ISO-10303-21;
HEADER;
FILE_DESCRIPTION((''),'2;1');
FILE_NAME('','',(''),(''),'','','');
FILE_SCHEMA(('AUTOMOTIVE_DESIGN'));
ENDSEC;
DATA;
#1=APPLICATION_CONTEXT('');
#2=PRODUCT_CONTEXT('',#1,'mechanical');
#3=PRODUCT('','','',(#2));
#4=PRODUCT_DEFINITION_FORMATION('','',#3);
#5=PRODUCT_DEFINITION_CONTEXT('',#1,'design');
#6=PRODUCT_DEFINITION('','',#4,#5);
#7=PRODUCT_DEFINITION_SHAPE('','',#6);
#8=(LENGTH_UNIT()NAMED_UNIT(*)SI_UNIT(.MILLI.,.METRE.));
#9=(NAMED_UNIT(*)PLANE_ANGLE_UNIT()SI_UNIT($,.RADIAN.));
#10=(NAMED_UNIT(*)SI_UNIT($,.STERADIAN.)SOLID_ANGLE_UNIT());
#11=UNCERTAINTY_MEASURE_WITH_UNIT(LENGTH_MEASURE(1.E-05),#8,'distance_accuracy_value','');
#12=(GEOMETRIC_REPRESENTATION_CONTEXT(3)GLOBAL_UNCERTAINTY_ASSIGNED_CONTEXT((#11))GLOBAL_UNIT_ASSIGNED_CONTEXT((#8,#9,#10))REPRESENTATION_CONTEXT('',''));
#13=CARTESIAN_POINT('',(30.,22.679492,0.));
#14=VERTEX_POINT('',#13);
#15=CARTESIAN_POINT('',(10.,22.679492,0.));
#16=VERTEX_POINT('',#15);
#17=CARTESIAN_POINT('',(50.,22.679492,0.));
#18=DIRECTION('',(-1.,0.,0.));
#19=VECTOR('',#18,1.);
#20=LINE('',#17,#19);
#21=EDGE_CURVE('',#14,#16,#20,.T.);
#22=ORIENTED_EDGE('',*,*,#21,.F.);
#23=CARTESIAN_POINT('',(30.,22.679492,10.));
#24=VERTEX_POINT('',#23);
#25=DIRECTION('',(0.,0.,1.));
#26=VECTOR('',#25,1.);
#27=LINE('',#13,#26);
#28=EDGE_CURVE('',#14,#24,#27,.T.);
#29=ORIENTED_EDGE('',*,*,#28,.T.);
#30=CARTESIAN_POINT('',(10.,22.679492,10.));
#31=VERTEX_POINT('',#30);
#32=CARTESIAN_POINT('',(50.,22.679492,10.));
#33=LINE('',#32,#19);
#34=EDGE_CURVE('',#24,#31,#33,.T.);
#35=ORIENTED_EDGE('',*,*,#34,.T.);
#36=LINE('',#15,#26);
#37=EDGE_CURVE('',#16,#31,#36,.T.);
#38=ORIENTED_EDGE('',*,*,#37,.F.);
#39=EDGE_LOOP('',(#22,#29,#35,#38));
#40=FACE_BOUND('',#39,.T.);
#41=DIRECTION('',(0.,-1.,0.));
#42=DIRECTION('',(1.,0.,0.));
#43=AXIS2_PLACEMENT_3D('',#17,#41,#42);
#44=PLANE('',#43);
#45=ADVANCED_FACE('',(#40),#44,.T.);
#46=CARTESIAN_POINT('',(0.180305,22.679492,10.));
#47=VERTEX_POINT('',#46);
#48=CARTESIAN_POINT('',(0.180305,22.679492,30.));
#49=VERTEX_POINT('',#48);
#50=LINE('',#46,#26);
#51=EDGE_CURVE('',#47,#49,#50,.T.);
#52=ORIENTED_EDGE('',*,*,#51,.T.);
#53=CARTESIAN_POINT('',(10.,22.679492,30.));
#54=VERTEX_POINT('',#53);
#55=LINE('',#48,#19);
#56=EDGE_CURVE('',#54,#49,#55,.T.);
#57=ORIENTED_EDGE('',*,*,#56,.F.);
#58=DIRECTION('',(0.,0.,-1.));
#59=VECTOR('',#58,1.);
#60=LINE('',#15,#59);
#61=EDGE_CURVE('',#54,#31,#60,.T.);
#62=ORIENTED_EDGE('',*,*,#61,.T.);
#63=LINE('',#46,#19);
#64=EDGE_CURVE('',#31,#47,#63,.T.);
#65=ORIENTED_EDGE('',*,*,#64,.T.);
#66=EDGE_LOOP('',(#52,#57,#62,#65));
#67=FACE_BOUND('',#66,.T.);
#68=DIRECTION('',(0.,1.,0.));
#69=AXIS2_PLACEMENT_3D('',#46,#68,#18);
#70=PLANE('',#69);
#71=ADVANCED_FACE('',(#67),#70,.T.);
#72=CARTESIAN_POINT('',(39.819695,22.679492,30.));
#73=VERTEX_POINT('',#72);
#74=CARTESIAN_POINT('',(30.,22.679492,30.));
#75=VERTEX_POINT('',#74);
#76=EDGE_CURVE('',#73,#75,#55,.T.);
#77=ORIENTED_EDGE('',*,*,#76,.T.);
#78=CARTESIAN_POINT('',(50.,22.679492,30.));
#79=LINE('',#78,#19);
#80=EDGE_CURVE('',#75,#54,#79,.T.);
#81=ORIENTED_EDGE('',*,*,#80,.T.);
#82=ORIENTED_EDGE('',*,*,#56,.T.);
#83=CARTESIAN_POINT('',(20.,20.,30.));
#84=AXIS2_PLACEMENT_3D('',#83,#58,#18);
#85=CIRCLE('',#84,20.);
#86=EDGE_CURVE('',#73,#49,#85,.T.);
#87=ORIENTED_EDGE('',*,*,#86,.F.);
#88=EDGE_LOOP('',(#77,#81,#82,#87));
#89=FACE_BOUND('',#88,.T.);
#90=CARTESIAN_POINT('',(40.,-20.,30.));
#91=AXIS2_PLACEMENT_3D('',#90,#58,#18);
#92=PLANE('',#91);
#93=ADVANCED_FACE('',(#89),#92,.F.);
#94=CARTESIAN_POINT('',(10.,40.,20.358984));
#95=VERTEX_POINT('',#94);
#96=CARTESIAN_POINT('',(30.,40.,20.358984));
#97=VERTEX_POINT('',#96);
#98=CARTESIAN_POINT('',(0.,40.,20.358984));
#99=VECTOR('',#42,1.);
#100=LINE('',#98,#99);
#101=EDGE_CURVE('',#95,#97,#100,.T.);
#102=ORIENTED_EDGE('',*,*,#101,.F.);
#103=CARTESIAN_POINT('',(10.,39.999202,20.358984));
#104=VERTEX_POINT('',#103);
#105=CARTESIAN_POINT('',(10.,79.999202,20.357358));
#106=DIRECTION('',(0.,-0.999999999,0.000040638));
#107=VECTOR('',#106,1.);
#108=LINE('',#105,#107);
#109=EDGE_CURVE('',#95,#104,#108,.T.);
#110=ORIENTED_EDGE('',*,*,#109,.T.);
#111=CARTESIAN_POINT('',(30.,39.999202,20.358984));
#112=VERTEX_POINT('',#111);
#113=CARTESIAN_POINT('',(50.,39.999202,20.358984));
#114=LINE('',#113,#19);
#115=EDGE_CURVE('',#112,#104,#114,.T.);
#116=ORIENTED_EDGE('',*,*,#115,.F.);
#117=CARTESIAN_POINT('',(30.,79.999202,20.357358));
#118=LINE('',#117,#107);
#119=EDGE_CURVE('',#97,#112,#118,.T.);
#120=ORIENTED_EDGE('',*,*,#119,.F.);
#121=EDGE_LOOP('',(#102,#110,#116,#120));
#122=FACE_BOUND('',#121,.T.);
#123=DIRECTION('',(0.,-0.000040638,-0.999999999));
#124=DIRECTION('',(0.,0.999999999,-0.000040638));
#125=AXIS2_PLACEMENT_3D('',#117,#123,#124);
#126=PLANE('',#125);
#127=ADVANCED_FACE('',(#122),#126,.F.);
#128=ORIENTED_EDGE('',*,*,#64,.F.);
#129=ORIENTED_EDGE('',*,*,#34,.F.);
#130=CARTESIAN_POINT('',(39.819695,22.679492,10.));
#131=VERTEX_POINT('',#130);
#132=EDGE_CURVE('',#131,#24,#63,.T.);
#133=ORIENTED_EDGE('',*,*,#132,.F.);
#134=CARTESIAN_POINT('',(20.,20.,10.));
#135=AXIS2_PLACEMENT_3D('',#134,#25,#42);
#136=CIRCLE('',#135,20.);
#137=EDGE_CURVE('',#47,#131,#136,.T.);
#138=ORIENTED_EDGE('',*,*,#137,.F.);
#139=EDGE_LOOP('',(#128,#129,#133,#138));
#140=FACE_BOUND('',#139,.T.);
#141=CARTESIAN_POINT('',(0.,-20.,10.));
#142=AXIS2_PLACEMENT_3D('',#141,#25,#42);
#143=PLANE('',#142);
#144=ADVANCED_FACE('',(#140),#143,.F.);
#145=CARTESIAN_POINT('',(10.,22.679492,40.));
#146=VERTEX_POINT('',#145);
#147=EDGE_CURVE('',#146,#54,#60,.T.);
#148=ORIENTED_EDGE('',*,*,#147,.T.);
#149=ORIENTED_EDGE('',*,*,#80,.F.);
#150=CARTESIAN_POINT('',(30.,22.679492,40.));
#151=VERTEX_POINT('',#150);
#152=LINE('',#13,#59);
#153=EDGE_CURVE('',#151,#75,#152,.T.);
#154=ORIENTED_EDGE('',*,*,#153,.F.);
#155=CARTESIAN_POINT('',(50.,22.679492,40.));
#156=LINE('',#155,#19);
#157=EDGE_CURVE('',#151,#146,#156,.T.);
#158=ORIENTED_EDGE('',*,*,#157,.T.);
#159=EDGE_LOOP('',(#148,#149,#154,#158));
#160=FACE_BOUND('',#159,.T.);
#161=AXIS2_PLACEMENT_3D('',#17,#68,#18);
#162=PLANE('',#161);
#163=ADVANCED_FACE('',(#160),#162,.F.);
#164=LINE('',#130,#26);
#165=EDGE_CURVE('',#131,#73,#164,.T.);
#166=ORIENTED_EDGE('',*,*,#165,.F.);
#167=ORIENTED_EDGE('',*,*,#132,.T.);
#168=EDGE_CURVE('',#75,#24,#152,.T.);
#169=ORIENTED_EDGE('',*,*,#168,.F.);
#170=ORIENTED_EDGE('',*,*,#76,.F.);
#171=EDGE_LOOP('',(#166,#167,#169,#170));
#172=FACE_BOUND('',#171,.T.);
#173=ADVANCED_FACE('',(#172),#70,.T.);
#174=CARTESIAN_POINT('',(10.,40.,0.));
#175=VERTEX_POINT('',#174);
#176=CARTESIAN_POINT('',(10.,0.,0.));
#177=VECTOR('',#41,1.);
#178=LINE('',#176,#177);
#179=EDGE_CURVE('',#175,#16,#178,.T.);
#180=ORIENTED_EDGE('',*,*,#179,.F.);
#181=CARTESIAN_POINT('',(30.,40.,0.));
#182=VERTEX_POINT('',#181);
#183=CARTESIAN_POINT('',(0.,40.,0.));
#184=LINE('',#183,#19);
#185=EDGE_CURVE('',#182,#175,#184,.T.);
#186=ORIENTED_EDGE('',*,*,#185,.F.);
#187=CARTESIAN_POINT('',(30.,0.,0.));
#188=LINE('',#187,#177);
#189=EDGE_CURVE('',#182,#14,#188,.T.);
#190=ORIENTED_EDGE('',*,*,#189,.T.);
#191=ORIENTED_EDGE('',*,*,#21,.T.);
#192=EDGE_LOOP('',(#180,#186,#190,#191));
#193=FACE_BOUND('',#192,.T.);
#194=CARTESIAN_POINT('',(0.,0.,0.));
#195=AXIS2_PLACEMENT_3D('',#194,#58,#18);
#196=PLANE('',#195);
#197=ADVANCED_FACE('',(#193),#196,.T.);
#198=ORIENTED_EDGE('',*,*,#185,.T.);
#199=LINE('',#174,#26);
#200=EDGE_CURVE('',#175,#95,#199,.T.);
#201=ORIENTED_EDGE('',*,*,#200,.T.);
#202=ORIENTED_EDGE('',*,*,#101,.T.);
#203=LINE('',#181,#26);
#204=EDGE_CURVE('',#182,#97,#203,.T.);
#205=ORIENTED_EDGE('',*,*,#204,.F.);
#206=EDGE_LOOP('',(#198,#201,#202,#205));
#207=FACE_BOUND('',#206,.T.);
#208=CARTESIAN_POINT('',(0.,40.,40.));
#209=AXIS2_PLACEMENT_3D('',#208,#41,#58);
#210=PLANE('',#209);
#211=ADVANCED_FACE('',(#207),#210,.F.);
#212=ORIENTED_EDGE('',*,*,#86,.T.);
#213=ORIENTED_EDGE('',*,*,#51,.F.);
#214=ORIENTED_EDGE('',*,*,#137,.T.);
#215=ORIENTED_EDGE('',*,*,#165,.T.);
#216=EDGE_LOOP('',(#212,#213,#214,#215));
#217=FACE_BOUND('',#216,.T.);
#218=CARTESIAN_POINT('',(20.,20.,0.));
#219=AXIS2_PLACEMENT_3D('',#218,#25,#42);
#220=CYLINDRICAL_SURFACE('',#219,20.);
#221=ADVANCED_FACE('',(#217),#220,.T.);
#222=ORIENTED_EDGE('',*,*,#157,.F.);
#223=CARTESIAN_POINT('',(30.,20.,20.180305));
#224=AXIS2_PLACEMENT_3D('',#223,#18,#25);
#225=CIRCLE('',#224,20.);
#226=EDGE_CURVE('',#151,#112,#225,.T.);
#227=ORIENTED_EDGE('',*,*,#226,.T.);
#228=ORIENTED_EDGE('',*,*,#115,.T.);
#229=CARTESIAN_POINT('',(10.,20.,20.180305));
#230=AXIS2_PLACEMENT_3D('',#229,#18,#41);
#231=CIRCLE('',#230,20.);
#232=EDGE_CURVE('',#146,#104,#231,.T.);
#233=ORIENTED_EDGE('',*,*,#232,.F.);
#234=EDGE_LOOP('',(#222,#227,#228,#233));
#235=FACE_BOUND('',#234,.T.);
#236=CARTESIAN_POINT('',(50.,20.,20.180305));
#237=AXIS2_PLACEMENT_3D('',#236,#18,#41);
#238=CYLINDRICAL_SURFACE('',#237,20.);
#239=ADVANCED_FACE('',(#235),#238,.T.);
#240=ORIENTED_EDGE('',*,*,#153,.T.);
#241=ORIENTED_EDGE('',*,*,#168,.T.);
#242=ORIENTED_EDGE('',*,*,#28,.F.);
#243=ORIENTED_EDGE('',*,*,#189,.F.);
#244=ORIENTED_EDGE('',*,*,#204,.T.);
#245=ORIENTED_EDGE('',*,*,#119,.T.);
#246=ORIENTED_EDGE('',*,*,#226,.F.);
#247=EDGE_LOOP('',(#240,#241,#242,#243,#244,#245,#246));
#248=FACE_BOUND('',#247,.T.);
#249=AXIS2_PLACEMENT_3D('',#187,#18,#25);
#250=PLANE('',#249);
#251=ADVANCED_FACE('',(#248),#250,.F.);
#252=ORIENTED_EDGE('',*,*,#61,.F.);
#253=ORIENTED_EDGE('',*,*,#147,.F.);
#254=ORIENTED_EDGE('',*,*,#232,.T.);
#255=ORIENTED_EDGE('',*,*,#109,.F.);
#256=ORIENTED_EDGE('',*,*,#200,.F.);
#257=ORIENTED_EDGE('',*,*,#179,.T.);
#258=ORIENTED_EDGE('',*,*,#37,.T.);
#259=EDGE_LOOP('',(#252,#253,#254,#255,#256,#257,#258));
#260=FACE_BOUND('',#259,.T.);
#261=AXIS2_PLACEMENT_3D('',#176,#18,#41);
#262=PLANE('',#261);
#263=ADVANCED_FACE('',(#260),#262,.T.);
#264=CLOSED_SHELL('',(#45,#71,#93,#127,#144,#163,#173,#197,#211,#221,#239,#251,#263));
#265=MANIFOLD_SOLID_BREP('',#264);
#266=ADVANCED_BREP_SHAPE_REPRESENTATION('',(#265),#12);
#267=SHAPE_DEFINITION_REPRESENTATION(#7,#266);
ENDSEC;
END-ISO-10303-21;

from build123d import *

# Parameters (mm, degrees)
SKETCH1_W           = 40
SKETCH1_H           = 40
BOSS_EXTRUDE1_DEPTH = 40
SKETCH2_W           = 10
SKETCH2_H           = 20
CUT_EXTRUDE1_DEPTH  = 40
SKETCH3_W           = 10
SKETCH3_H           = 10
CUT_EXTRUDE2_DEPTH  = 40
CUT_EXTRUDE3_DEPTH  = 40
SKETCH5_W           = 20
SKETCH5_H           = 10
CUT_EXTRUDE4_DEPTH  = 40
SKETCH6_W           = 20
SKETCH6_H           = 19.641016119
CUT_EXTRUDE5_DEPTH  = 40
BOSS_EXTRUDE2_DEPTH = 20


with BuildPart() as part:
    # Sketch1 → Boss-Extrude1 (new body)
    with BuildSketch(Plane.XY):
        with Locations((20, 20)):
            Rectangle(SKETCH1_W, SKETCH1_H)
    extrude(amount=BOSS_EXTRUDE1_DEPTH)

    # Sketch2 → Cut-Extrude1 (cut)
    with BuildSketch(Plane.XY.offset(40)):
        with BuildLine():
            ThreePointArc((20, 0), (5.857864376, 5.857864376), (0, 20))
            Line((0, 20), (0, 0))
            Line((0, 0), (20, 0))
        make_face()
        with BuildLine():
            ThreePointArc((40, 20), (34.142135624, 5.857864376), (20, 0))
            Line((20, 0), (40, 0))
            Line((40, 0), (40, 20))
        make_face()
        with Locations((35, 30)):
            Rectangle(SKETCH2_W, SKETCH2_H)
        with Locations((5, 30)):
            Rectangle(SKETCH2_W, SKETCH2_H)
    extrude(amount=-CUT_EXTRUDE1_DEPTH, mode=Mode.SUBTRACT)

    # Sketch3 → Cut-Extrude2 (cut)
    with BuildSketch(Plane(origin=(0, 20, 0), x_dir=(1, 0, 0), z_dir=(0, 1, 0))):
        with Locations((5, -5)):
            Rectangle(SKETCH3_W, SKETCH3_H)
        with Locations((35, -5)):
            Rectangle(SKETCH3_W, SKETCH3_H)
        with Locations((35, -35)):
            Rectangle(SKETCH3_W, SKETCH3_H)
        with Locations((5, -35)):
            Rectangle(SKETCH3_W, SKETCH3_H)
    extrude(amount=-CUT_EXTRUDE2_DEPTH, mode=Mode.SUBTRACT)

    # Sketch4 → Cut-Extrude3 (cut)
    with BuildSketch(Plane.ZY.offset(-10)):
        Polygon((10, 22.679491924), (0, 22.679491924), (0, 2.679491924), (10, 2.679491924), (10, 20), align=None)
        Polygon((30, 2.679491924), (40, 2.679491924), (40, 22.679491924), (30, 22.679491924), (30, 20), align=None)
        with BuildLine():
            ThreePointArc((20.358983897, 39.999201827), (33.408185604, 35.000772179), (40, 22.679491924))
            Line((40, 22.679491924), (40, 40))
            Line((40, 40), (20.358983897, 39.999201827))
        make_face()
    extrude(amount=-CUT_EXTRUDE3_DEPTH, mode=Mode.SUBTRACT)

    # Sketch5 → Cut-Extrude4 (cut)
    with BuildSketch(Plane(origin=(0, 2.679491924, 0), x_dir=(1, 0, 0), z_dir=(0, 1, 0))):
        with Locations((20, -5)):
            Rectangle(SKETCH5_W, SKETCH5_H)
        with Locations((20, -35)):
            Rectangle(SKETCH5_W, SKETCH5_H)
    extrude(amount=-CUT_EXTRUDE4_DEPTH, mode=Mode.SUBTRACT)

    # Sketch6 → Cut-Extrude5 (cut)
    with BuildSketch(Plane(origin=(0, 39.998374412, -0.001625456), x_dir=(1, 0, 0), z_dir=(0, -0.999999999, 4.0638e-05))):
        with Locations((20, 30.18111743)):
            Rectangle(SKETCH6_W, SKETCH6_H)
    extrude(amount=-CUT_EXTRUDE5_DEPTH, mode=Mode.SUBTRACT)

    # Sketch8 → Boss-Extrude2 (add)
    with BuildSketch(Plane.XY.offset(30)):
        with BuildLine():
            Line((0.180304669, 22.679491924), (39.819695331, 22.679491924))
            ThreePointArc((39.819695331, 22.679491924), (20, 0), (0.180304669, 22.679491924))
        make_face()
    extrude(amount=-BOSS_EXTRUDE2_DEPTH)


solid = part.part
